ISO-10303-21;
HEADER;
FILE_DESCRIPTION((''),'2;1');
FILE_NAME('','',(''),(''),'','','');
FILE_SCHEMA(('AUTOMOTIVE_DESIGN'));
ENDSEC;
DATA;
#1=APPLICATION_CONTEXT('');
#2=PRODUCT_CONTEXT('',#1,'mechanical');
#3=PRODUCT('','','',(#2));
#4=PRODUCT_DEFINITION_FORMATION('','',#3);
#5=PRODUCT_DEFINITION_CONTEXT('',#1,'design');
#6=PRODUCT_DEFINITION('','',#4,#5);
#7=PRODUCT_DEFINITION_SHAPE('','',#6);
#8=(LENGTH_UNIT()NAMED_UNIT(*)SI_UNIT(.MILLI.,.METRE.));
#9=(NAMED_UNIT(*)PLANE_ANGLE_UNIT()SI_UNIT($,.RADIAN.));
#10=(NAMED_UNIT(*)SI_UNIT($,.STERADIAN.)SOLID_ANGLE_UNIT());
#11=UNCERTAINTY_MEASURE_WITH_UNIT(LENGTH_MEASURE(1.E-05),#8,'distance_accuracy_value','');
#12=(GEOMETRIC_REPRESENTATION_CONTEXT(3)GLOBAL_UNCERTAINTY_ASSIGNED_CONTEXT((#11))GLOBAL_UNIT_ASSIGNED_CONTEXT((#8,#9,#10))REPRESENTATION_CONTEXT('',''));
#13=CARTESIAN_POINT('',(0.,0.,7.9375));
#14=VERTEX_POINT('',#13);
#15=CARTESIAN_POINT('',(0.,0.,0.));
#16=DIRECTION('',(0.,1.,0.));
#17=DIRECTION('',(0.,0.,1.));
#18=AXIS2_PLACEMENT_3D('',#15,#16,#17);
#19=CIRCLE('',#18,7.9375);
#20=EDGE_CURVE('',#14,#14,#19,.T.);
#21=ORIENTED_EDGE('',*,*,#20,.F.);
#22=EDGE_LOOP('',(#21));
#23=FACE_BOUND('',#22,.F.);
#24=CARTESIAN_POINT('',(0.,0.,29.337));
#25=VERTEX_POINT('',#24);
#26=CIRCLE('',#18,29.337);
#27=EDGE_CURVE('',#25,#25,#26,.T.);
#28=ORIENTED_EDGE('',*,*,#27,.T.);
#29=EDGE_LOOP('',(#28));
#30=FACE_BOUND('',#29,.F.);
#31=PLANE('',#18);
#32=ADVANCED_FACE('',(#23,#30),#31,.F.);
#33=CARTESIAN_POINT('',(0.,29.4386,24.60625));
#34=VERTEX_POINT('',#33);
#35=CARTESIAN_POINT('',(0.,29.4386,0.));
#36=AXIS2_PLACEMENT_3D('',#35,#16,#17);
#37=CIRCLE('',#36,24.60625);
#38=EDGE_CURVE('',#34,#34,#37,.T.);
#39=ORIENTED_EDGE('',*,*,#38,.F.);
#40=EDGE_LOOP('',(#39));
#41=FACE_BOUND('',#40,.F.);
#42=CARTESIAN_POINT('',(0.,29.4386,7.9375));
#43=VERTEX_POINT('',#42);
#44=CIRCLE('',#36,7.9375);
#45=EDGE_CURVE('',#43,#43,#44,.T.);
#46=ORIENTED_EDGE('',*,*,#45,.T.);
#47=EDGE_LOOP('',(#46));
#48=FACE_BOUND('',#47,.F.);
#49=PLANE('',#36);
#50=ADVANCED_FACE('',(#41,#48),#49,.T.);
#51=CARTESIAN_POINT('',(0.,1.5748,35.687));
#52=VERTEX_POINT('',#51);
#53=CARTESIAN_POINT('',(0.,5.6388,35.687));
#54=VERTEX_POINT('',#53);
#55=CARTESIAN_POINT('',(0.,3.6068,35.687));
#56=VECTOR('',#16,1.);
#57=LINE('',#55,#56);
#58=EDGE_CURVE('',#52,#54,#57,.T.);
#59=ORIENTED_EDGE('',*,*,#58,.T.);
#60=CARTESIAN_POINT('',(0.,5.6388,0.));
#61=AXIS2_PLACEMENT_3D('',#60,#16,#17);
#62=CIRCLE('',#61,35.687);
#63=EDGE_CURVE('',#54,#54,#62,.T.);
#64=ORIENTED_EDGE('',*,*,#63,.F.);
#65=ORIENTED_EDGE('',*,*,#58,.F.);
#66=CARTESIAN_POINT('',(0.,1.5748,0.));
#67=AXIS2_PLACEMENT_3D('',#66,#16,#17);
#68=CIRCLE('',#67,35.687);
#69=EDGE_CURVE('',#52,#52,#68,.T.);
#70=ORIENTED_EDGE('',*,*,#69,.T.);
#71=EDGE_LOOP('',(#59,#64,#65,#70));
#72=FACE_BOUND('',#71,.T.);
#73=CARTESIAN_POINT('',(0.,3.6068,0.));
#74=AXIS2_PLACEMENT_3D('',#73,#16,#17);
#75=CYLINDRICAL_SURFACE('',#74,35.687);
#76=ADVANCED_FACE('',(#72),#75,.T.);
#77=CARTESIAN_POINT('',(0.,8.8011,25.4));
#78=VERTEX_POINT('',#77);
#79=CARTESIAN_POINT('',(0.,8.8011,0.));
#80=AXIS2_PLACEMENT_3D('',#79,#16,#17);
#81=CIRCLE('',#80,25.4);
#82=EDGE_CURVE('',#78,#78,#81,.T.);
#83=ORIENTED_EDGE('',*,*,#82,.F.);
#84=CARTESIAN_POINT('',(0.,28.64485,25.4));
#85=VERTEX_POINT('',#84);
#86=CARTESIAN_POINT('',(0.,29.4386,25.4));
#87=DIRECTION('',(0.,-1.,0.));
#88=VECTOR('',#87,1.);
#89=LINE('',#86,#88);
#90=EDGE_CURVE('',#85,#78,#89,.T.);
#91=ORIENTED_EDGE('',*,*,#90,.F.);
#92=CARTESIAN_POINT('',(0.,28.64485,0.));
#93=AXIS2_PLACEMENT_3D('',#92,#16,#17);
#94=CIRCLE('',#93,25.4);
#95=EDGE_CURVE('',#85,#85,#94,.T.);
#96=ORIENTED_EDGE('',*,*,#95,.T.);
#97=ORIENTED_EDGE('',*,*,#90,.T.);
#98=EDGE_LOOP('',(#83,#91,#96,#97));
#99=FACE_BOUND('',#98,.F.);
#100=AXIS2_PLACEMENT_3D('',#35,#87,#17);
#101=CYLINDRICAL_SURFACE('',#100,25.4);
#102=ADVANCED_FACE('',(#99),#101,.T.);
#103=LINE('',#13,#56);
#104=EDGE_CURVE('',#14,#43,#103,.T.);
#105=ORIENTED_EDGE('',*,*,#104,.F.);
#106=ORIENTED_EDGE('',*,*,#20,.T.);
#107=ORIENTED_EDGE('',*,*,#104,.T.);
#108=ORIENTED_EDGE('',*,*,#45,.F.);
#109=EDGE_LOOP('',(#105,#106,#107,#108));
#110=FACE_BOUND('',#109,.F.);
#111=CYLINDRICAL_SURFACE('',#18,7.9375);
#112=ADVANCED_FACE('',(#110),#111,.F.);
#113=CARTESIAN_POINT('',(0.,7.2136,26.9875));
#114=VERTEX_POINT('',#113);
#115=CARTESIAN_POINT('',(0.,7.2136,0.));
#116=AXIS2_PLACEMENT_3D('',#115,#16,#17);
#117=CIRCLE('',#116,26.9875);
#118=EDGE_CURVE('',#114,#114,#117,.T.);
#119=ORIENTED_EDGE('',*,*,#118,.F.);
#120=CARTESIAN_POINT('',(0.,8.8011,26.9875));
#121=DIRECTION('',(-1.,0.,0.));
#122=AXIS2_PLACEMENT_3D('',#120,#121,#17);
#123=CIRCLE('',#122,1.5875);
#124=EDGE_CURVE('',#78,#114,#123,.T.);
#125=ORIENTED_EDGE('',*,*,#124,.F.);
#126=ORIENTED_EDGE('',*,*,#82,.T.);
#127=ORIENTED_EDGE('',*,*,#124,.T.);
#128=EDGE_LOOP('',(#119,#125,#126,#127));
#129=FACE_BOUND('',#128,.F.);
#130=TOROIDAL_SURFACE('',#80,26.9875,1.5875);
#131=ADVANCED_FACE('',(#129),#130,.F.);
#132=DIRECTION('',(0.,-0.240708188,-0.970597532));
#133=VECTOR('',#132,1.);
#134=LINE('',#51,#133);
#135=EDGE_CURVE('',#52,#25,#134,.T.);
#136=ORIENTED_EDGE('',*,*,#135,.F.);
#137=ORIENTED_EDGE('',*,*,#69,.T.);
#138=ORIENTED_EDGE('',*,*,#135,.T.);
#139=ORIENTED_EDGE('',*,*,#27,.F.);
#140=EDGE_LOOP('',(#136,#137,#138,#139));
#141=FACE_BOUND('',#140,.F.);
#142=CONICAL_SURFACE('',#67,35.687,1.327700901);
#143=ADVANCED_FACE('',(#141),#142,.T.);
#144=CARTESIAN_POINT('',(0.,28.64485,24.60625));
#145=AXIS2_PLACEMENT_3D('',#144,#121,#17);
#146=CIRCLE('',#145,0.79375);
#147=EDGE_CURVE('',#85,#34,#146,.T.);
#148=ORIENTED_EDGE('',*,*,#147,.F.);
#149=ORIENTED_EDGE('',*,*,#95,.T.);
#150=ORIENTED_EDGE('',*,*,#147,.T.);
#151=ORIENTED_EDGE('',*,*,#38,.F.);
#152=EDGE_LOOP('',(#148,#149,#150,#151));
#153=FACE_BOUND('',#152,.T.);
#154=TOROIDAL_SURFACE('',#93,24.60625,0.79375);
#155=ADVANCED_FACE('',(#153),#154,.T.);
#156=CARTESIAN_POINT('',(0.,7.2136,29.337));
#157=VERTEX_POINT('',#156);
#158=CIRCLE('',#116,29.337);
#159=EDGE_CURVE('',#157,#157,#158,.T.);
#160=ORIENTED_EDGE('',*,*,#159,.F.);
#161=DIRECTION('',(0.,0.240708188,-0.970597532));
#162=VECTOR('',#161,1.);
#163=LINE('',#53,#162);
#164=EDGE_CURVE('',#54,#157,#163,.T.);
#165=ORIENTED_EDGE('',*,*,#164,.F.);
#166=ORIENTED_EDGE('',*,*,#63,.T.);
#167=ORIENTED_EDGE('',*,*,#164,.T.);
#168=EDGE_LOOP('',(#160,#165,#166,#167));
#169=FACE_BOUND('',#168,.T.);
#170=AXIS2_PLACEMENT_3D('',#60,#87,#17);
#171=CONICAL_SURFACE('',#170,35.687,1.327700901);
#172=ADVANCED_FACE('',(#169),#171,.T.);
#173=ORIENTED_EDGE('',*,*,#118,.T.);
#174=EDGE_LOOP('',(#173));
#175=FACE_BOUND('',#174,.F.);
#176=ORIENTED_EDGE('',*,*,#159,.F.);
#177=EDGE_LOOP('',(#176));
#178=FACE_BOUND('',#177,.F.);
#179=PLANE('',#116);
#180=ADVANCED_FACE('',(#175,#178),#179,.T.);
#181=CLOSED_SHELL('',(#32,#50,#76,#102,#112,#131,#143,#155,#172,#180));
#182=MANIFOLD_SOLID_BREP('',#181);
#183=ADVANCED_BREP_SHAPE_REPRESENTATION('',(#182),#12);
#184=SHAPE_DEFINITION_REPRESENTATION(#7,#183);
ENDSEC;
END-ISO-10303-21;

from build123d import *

# Parameters (mm, degrees)
F0_W     = 7.2136
F0_H     = 10.287
F0_H_2   = 17.2237775958
F2_R     = 1.5875
F3_R     = 0.79375
F4_SIZE2 = 6.35
F4_SIZE  = 1.5748


with BuildPart() as f1:
    # F0 (on Right) → F1 (revolve)
    with BuildSketch(Plane.YZ):
        with Locations((3.6068, 30.5435)):
            Rectangle(F0_W, F0_H)
        with Locations((3.6068, 16.7881112021)):
            Rectangle(F0_W, F0_H_2)
        Polygon((7.2136, 8.1762224042), (0, 8.1762224042), (0, 7.9375), (29.4386, 7.9375), (29.4386, 25.4), (7.2136, 25.4), align=None)
    revolve(axis=Axis((0, 15.9048408099, 0), (0, 1, 0)))

    # F2
    f2_edges = [f1.edges().sort_by_distance(p)[0] for p in [
        (0, 7.2136, -25.4),
    ]]
    fillet(f2_edges, radius=F2_R)

    # F3
    f3_edges = [f1.edges().sort_by_distance(p)[0] for p in [
        (0, 29.4386, -25.4),
    ]]
    fillet(f3_edges, radius=F3_R)

    # F4
    f4_edges = [f1.edges().sort_by_distance(p)[0] for p in [
        (0, 0, -35.687),
        (0, 7.2136, -35.687),
    ]]
    f4_side = f1.faces().sort_by_distance((0, 3.6068, -35.687))[0]
    chamfer(f4_edges, length=F4_SIZE, length2=F4_SIZE2, reference=f4_side)


solid = f1.part
